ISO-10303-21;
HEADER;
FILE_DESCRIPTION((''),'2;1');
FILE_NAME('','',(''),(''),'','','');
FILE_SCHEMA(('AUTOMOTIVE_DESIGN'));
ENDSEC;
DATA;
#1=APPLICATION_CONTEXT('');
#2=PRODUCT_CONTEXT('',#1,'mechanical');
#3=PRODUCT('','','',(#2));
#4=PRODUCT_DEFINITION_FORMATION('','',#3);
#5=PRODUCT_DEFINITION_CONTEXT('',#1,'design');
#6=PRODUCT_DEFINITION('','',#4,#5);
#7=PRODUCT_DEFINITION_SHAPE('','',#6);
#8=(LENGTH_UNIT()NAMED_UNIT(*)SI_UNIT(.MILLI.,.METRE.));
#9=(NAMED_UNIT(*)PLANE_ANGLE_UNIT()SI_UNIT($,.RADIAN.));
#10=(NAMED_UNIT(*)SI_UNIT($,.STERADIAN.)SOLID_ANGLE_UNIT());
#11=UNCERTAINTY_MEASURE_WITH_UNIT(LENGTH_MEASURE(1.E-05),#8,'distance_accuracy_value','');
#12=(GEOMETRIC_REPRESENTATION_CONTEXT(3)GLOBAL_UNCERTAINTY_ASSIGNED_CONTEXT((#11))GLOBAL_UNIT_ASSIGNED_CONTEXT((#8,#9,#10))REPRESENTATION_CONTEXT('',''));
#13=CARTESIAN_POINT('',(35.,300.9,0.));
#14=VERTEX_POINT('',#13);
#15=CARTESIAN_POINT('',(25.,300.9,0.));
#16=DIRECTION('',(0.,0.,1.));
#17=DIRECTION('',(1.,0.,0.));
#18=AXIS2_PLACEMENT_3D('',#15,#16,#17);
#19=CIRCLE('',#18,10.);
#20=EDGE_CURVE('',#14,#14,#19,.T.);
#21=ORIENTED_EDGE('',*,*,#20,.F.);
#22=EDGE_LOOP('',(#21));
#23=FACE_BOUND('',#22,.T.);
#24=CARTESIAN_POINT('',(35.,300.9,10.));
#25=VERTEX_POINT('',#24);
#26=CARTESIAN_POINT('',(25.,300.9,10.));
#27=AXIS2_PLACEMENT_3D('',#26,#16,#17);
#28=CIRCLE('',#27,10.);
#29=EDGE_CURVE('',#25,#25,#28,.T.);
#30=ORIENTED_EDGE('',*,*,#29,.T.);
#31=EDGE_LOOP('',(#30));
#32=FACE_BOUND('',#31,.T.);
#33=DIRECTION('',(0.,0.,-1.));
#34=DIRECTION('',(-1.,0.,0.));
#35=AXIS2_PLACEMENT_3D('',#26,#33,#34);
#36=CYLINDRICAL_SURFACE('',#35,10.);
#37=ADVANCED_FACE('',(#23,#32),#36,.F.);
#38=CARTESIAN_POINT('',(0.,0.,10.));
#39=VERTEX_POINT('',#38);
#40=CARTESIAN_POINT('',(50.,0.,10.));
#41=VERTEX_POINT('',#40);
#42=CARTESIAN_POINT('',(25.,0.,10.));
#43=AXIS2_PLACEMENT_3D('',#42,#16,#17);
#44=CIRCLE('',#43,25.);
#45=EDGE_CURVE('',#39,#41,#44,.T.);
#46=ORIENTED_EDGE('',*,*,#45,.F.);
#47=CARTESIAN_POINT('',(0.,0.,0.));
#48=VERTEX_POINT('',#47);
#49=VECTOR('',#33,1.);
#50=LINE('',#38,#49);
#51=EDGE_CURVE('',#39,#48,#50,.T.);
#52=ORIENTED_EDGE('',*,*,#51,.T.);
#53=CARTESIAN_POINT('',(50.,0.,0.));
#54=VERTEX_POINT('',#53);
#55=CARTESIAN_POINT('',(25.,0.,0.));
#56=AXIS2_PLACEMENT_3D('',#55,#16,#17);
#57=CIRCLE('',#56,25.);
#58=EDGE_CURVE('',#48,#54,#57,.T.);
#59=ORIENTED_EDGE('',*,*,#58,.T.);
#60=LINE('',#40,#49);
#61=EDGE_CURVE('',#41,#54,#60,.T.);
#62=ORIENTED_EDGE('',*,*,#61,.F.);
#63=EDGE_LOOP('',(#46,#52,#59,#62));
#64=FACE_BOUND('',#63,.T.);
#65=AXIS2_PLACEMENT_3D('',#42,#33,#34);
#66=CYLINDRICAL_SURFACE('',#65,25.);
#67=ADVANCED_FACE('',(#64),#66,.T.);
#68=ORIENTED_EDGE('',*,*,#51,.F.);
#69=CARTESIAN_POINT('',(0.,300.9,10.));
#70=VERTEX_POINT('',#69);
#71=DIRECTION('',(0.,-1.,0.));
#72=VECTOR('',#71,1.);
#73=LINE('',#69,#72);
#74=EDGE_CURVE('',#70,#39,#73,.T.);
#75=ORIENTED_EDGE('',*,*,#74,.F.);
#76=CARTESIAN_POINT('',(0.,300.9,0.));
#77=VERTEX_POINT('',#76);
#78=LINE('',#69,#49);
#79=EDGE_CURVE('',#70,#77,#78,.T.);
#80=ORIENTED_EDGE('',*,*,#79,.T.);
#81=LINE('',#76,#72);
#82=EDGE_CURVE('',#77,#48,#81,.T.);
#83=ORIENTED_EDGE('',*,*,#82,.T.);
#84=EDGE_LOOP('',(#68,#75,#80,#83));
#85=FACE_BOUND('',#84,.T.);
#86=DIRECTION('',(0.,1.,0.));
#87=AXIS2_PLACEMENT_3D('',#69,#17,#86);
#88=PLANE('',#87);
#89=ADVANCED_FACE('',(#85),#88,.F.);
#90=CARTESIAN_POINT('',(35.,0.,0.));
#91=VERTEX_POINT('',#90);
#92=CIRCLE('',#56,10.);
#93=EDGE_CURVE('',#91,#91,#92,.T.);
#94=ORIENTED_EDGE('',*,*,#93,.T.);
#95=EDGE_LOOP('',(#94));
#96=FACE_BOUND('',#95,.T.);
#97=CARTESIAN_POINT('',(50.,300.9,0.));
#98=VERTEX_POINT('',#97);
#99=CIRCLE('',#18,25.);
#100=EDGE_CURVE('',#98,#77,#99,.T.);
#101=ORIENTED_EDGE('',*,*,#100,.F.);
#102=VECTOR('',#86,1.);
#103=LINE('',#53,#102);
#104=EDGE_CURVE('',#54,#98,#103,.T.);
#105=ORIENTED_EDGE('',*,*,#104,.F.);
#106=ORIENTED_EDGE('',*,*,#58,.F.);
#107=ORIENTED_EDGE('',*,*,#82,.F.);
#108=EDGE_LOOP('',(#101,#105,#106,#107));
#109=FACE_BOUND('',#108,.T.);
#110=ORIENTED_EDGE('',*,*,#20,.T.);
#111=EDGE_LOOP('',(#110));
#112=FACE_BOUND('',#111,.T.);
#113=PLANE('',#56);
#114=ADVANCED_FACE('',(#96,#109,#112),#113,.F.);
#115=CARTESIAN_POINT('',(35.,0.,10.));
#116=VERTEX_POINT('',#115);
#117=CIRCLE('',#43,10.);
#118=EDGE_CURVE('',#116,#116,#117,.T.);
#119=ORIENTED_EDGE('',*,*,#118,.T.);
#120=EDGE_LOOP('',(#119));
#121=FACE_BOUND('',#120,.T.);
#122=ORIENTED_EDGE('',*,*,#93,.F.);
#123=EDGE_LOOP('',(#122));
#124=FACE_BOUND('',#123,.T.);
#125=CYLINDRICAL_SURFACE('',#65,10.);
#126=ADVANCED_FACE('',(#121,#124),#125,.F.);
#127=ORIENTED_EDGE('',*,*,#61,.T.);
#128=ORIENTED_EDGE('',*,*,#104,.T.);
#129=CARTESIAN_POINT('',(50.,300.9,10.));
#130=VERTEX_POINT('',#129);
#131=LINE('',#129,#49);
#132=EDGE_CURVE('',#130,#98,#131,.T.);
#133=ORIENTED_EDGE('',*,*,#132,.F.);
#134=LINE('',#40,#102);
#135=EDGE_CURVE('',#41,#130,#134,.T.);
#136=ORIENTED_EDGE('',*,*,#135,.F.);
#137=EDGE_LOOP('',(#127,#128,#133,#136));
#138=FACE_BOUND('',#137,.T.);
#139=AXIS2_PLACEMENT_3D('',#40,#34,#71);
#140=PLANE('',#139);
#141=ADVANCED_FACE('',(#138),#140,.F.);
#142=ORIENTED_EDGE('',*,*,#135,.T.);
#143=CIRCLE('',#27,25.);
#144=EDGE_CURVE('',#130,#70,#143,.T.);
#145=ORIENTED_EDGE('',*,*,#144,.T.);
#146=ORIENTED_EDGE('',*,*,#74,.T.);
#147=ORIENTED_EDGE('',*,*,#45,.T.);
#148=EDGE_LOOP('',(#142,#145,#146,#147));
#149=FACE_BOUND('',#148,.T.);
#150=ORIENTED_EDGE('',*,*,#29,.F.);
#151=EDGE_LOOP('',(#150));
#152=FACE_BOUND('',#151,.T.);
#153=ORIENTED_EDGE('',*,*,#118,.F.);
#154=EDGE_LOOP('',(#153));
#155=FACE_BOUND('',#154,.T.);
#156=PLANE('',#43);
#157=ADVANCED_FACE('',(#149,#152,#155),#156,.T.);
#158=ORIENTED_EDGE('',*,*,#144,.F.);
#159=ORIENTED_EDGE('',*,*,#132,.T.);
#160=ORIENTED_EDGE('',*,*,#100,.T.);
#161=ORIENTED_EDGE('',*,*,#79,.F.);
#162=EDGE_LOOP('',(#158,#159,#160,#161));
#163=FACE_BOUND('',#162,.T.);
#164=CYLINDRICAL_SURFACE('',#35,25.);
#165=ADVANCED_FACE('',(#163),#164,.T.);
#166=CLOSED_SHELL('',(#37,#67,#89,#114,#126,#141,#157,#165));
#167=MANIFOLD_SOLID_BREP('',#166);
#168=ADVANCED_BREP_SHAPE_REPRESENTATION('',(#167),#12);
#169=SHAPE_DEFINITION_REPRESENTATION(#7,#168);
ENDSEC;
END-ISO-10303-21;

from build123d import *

# Parameters (mm, degrees)
CROQUIS1_R              = 10
SALIENTE_EXTRUIR1_DEPTH = 10


with BuildPart() as part:
    # Croquis1 → Saliente-Extruir1 (new body)
    with BuildSketch(Plane.XY):
        with BuildLine():
            Line((50, 0), (50, 300.9))
            ThreePointArc((50, 300.9), (25, 325.9), (0, 300.9))
            Line((0, 300.9), (0, 0))
            ThreePointArc((0, 0), (25, -25), (50, 0))
        make_face()
        with Locations((25, 300.9)):
            Circle(CROQUIS1_R, mode=Mode.SUBTRACT)
        with Locations((25, 0)):
            Circle(CROQUIS1_R, mode=Mode.SUBTRACT)
    extrude(amount=SALIENTE_EXTRUIR1_DEPTH)


solid = part.part
